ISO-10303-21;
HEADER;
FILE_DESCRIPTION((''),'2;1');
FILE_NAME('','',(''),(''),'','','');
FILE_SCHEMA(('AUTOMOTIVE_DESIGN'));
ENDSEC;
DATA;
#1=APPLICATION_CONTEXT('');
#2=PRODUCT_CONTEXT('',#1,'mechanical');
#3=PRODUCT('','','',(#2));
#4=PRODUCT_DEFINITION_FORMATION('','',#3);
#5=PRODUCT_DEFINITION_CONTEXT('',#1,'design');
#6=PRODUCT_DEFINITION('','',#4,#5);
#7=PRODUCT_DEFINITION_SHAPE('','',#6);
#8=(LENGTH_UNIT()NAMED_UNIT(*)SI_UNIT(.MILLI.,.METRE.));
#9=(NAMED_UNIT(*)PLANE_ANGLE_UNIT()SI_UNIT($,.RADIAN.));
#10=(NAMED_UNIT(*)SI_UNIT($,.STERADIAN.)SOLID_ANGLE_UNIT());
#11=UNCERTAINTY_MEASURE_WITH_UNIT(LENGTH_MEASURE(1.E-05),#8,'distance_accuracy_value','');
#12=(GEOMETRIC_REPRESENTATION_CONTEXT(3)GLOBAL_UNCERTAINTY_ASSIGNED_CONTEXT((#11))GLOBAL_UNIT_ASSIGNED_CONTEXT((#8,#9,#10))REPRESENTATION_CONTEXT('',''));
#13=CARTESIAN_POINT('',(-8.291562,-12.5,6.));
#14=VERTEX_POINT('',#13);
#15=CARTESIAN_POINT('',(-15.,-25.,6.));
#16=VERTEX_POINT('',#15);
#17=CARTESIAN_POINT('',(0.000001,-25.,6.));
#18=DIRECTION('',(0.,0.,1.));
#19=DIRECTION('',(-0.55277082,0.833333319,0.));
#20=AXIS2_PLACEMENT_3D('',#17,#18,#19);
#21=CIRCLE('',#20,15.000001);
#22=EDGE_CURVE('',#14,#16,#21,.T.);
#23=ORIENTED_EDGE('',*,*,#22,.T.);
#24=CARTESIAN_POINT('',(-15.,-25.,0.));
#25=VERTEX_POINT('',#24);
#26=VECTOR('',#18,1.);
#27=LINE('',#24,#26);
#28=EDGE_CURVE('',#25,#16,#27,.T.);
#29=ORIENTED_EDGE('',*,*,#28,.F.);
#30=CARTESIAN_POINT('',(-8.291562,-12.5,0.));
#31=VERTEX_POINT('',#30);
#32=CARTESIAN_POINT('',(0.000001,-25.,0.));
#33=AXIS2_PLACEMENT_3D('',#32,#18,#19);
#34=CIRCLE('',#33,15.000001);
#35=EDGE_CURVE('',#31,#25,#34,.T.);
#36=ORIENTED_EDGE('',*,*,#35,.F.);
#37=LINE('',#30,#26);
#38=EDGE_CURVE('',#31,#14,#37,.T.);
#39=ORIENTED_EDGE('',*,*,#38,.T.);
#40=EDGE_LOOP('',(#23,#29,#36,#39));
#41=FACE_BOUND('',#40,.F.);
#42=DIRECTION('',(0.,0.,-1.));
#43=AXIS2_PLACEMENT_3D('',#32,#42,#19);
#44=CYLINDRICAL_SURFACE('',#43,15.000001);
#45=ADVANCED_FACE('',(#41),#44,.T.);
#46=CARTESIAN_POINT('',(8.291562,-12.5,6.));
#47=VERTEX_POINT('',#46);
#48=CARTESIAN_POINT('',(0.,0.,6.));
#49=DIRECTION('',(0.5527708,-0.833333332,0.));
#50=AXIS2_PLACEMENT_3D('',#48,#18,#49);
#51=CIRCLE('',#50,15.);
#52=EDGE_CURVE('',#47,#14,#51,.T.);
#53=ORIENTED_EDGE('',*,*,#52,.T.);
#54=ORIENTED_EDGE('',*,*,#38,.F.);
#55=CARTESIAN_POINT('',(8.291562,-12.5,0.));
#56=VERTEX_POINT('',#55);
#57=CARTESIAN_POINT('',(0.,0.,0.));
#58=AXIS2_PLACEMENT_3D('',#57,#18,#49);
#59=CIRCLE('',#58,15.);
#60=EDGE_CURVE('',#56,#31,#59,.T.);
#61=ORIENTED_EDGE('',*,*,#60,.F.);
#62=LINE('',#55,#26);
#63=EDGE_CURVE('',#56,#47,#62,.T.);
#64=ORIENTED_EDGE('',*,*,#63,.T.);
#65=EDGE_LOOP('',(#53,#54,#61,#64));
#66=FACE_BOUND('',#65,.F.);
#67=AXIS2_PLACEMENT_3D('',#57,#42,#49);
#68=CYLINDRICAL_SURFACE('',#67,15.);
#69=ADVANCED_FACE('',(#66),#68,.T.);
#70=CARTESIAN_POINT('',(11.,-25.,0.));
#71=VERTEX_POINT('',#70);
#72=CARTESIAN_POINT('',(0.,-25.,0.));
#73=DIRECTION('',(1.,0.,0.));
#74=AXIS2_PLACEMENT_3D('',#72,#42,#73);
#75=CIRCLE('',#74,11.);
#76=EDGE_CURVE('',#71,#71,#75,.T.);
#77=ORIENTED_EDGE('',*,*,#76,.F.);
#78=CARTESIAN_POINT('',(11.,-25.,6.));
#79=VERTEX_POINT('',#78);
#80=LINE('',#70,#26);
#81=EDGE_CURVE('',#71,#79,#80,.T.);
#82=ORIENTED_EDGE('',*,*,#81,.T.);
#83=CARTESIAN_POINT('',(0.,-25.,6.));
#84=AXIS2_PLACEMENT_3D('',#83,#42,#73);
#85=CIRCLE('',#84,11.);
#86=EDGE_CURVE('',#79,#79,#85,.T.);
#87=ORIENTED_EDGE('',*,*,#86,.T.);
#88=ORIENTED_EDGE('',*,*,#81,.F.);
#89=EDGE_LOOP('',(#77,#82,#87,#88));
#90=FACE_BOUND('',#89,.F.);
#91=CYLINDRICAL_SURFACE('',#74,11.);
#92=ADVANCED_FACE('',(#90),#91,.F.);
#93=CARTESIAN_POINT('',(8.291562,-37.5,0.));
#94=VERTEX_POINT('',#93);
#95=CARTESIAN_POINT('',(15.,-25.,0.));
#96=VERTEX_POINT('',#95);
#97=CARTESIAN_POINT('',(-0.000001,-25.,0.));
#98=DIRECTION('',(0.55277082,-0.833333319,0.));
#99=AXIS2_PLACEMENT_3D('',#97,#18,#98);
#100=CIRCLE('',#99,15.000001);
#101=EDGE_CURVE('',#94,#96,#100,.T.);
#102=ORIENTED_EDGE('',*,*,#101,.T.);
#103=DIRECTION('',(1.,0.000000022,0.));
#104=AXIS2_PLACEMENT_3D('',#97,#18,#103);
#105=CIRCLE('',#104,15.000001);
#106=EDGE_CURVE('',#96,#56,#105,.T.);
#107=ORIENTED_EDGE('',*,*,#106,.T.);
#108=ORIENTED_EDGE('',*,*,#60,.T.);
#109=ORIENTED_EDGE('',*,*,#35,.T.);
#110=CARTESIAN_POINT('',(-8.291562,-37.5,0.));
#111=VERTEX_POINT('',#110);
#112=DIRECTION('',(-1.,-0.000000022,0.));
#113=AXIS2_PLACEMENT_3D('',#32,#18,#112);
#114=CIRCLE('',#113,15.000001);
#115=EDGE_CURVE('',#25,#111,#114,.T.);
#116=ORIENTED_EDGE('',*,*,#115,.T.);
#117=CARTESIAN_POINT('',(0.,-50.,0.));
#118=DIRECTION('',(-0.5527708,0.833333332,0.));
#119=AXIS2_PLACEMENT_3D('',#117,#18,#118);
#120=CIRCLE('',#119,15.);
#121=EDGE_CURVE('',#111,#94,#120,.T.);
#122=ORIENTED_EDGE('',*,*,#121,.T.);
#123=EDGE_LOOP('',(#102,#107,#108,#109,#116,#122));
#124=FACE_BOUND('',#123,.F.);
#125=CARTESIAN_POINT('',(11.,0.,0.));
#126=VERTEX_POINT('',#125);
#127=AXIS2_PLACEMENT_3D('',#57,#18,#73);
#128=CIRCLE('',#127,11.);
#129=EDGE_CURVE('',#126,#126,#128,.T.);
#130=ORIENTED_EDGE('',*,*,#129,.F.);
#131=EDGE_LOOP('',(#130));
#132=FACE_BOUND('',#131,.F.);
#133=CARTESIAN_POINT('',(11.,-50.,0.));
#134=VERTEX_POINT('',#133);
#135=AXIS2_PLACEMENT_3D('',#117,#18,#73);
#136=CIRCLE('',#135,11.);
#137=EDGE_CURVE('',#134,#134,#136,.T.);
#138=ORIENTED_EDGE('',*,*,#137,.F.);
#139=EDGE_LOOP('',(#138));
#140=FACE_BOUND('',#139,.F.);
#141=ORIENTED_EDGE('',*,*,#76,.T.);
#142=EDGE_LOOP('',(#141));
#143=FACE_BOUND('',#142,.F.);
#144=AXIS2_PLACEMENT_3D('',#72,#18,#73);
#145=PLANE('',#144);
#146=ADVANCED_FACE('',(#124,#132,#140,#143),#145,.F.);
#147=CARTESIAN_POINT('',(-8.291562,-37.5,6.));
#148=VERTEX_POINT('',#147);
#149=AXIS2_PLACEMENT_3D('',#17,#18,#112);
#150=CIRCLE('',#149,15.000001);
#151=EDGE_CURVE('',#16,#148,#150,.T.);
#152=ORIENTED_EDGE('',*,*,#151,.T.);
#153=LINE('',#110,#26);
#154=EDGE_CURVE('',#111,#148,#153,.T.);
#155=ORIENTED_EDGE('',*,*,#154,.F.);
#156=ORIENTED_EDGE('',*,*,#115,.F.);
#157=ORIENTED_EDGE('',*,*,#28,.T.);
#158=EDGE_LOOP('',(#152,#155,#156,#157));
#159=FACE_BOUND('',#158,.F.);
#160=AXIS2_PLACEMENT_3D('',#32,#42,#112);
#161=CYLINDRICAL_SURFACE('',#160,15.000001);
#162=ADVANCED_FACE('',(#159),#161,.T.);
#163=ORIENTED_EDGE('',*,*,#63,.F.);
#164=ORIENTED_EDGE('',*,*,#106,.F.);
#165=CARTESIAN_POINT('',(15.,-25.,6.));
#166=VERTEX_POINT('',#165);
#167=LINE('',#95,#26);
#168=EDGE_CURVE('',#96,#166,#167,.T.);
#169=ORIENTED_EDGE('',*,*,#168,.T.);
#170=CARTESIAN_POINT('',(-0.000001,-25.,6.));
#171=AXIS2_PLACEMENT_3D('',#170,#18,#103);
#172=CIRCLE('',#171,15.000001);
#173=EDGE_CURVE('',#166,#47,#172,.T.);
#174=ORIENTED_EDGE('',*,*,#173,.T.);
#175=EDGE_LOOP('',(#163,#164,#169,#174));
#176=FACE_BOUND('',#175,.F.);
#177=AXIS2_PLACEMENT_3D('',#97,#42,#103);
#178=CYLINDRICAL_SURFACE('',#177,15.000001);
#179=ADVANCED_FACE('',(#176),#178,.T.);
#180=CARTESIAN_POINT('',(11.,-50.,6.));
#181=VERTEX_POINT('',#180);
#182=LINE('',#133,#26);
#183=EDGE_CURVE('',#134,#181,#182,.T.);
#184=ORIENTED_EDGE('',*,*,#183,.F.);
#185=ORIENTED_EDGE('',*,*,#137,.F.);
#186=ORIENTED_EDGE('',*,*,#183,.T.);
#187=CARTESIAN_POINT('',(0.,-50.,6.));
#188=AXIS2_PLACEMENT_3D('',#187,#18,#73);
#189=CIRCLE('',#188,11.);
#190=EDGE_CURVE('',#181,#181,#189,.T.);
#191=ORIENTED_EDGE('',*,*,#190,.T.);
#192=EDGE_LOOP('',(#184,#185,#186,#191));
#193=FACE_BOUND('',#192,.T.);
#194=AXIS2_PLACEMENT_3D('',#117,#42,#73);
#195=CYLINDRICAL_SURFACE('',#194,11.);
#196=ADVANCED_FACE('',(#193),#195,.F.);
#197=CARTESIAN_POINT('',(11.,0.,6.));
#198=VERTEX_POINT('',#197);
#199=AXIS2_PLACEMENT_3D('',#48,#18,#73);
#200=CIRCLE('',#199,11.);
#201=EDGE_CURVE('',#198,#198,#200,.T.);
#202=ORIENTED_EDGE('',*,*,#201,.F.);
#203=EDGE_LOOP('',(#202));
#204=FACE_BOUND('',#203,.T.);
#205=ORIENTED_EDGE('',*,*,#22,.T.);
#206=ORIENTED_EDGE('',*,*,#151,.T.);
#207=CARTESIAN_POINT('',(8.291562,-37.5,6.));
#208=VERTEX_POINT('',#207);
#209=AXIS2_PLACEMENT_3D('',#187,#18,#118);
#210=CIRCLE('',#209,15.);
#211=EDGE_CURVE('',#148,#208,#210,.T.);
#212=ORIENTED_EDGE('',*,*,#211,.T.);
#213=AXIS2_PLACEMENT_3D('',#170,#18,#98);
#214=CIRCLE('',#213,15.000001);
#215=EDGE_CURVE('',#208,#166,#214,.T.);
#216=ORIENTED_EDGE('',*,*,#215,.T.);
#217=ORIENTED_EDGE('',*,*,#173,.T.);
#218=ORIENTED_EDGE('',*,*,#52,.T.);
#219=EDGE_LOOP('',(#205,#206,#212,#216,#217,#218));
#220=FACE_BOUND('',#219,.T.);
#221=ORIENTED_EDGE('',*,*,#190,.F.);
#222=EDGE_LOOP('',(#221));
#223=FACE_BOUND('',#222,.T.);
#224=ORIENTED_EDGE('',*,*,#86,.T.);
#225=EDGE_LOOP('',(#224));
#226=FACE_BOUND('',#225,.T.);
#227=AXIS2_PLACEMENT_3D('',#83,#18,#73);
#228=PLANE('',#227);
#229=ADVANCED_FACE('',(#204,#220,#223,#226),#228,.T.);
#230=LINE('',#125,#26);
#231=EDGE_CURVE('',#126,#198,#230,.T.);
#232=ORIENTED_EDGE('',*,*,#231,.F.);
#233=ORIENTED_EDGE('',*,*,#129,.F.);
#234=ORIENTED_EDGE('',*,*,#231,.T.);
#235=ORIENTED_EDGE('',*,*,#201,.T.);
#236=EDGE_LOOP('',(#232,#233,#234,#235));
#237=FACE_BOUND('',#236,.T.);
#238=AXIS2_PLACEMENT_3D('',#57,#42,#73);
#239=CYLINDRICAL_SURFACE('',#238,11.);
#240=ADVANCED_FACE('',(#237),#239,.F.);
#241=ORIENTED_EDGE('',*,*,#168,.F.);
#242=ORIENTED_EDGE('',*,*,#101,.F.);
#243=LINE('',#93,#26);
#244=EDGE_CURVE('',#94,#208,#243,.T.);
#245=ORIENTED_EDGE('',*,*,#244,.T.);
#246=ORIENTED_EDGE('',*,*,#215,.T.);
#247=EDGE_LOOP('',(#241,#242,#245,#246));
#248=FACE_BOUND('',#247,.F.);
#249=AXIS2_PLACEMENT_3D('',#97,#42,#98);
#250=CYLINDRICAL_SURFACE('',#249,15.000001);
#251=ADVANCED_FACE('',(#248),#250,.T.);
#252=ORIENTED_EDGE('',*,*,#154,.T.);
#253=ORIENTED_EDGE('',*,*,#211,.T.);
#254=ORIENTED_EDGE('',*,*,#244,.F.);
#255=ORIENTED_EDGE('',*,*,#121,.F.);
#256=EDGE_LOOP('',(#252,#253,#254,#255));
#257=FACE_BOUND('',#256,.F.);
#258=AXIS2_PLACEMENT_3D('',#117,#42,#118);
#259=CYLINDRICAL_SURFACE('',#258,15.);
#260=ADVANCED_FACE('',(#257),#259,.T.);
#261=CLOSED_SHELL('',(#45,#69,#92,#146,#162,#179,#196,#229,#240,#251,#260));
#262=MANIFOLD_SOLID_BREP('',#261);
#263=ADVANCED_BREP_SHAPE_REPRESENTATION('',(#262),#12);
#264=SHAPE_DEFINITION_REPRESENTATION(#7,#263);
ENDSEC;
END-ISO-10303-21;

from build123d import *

# Parameters (mm, degrees)
F0_R     = 11
F1_DEPTH = 6


with BuildPart() as f1:
    # F0 (on Top) → F1 (new body)
    with BuildSketch(Plane.XY):
        with BuildLine():
            ThreePointArc((8.291562, -12.5), (0, 15), (-8.291562, -12.5))
            ThreePointArc((-8.291562, -12.5), (-13.21691, -17.906814), (-15, -25))
            ThreePointArc((-15, -25), (-13.21691, -32.093186), (-8.291562, -37.5))
            ThreePointArc((-8.291562, -37.5), (0, -65), (8.291562, -37.5))
            ThreePointArc((8.291562, -37.5), (13.21691, -32.093186), (15, -25))
            ThreePointArc((15, -25), (13.21691, -17.906814), (8.291562, -12.5))
        make_face()
        with Locations((0, -50)):
            Circle(F0_R, mode=Mode.SUBTRACT)
        with BuildLine():
            ThreePointArc((-11, -25), (0, -14), (11, -25))
            ThreePointArc((11, -25), (0, -36), (-11, -25))
        make_face(mode=Mode.SUBTRACT)
        Circle(F0_R, mode=Mode.SUBTRACT)
    extrude(amount=F1_DEPTH)


solid = f1.part
